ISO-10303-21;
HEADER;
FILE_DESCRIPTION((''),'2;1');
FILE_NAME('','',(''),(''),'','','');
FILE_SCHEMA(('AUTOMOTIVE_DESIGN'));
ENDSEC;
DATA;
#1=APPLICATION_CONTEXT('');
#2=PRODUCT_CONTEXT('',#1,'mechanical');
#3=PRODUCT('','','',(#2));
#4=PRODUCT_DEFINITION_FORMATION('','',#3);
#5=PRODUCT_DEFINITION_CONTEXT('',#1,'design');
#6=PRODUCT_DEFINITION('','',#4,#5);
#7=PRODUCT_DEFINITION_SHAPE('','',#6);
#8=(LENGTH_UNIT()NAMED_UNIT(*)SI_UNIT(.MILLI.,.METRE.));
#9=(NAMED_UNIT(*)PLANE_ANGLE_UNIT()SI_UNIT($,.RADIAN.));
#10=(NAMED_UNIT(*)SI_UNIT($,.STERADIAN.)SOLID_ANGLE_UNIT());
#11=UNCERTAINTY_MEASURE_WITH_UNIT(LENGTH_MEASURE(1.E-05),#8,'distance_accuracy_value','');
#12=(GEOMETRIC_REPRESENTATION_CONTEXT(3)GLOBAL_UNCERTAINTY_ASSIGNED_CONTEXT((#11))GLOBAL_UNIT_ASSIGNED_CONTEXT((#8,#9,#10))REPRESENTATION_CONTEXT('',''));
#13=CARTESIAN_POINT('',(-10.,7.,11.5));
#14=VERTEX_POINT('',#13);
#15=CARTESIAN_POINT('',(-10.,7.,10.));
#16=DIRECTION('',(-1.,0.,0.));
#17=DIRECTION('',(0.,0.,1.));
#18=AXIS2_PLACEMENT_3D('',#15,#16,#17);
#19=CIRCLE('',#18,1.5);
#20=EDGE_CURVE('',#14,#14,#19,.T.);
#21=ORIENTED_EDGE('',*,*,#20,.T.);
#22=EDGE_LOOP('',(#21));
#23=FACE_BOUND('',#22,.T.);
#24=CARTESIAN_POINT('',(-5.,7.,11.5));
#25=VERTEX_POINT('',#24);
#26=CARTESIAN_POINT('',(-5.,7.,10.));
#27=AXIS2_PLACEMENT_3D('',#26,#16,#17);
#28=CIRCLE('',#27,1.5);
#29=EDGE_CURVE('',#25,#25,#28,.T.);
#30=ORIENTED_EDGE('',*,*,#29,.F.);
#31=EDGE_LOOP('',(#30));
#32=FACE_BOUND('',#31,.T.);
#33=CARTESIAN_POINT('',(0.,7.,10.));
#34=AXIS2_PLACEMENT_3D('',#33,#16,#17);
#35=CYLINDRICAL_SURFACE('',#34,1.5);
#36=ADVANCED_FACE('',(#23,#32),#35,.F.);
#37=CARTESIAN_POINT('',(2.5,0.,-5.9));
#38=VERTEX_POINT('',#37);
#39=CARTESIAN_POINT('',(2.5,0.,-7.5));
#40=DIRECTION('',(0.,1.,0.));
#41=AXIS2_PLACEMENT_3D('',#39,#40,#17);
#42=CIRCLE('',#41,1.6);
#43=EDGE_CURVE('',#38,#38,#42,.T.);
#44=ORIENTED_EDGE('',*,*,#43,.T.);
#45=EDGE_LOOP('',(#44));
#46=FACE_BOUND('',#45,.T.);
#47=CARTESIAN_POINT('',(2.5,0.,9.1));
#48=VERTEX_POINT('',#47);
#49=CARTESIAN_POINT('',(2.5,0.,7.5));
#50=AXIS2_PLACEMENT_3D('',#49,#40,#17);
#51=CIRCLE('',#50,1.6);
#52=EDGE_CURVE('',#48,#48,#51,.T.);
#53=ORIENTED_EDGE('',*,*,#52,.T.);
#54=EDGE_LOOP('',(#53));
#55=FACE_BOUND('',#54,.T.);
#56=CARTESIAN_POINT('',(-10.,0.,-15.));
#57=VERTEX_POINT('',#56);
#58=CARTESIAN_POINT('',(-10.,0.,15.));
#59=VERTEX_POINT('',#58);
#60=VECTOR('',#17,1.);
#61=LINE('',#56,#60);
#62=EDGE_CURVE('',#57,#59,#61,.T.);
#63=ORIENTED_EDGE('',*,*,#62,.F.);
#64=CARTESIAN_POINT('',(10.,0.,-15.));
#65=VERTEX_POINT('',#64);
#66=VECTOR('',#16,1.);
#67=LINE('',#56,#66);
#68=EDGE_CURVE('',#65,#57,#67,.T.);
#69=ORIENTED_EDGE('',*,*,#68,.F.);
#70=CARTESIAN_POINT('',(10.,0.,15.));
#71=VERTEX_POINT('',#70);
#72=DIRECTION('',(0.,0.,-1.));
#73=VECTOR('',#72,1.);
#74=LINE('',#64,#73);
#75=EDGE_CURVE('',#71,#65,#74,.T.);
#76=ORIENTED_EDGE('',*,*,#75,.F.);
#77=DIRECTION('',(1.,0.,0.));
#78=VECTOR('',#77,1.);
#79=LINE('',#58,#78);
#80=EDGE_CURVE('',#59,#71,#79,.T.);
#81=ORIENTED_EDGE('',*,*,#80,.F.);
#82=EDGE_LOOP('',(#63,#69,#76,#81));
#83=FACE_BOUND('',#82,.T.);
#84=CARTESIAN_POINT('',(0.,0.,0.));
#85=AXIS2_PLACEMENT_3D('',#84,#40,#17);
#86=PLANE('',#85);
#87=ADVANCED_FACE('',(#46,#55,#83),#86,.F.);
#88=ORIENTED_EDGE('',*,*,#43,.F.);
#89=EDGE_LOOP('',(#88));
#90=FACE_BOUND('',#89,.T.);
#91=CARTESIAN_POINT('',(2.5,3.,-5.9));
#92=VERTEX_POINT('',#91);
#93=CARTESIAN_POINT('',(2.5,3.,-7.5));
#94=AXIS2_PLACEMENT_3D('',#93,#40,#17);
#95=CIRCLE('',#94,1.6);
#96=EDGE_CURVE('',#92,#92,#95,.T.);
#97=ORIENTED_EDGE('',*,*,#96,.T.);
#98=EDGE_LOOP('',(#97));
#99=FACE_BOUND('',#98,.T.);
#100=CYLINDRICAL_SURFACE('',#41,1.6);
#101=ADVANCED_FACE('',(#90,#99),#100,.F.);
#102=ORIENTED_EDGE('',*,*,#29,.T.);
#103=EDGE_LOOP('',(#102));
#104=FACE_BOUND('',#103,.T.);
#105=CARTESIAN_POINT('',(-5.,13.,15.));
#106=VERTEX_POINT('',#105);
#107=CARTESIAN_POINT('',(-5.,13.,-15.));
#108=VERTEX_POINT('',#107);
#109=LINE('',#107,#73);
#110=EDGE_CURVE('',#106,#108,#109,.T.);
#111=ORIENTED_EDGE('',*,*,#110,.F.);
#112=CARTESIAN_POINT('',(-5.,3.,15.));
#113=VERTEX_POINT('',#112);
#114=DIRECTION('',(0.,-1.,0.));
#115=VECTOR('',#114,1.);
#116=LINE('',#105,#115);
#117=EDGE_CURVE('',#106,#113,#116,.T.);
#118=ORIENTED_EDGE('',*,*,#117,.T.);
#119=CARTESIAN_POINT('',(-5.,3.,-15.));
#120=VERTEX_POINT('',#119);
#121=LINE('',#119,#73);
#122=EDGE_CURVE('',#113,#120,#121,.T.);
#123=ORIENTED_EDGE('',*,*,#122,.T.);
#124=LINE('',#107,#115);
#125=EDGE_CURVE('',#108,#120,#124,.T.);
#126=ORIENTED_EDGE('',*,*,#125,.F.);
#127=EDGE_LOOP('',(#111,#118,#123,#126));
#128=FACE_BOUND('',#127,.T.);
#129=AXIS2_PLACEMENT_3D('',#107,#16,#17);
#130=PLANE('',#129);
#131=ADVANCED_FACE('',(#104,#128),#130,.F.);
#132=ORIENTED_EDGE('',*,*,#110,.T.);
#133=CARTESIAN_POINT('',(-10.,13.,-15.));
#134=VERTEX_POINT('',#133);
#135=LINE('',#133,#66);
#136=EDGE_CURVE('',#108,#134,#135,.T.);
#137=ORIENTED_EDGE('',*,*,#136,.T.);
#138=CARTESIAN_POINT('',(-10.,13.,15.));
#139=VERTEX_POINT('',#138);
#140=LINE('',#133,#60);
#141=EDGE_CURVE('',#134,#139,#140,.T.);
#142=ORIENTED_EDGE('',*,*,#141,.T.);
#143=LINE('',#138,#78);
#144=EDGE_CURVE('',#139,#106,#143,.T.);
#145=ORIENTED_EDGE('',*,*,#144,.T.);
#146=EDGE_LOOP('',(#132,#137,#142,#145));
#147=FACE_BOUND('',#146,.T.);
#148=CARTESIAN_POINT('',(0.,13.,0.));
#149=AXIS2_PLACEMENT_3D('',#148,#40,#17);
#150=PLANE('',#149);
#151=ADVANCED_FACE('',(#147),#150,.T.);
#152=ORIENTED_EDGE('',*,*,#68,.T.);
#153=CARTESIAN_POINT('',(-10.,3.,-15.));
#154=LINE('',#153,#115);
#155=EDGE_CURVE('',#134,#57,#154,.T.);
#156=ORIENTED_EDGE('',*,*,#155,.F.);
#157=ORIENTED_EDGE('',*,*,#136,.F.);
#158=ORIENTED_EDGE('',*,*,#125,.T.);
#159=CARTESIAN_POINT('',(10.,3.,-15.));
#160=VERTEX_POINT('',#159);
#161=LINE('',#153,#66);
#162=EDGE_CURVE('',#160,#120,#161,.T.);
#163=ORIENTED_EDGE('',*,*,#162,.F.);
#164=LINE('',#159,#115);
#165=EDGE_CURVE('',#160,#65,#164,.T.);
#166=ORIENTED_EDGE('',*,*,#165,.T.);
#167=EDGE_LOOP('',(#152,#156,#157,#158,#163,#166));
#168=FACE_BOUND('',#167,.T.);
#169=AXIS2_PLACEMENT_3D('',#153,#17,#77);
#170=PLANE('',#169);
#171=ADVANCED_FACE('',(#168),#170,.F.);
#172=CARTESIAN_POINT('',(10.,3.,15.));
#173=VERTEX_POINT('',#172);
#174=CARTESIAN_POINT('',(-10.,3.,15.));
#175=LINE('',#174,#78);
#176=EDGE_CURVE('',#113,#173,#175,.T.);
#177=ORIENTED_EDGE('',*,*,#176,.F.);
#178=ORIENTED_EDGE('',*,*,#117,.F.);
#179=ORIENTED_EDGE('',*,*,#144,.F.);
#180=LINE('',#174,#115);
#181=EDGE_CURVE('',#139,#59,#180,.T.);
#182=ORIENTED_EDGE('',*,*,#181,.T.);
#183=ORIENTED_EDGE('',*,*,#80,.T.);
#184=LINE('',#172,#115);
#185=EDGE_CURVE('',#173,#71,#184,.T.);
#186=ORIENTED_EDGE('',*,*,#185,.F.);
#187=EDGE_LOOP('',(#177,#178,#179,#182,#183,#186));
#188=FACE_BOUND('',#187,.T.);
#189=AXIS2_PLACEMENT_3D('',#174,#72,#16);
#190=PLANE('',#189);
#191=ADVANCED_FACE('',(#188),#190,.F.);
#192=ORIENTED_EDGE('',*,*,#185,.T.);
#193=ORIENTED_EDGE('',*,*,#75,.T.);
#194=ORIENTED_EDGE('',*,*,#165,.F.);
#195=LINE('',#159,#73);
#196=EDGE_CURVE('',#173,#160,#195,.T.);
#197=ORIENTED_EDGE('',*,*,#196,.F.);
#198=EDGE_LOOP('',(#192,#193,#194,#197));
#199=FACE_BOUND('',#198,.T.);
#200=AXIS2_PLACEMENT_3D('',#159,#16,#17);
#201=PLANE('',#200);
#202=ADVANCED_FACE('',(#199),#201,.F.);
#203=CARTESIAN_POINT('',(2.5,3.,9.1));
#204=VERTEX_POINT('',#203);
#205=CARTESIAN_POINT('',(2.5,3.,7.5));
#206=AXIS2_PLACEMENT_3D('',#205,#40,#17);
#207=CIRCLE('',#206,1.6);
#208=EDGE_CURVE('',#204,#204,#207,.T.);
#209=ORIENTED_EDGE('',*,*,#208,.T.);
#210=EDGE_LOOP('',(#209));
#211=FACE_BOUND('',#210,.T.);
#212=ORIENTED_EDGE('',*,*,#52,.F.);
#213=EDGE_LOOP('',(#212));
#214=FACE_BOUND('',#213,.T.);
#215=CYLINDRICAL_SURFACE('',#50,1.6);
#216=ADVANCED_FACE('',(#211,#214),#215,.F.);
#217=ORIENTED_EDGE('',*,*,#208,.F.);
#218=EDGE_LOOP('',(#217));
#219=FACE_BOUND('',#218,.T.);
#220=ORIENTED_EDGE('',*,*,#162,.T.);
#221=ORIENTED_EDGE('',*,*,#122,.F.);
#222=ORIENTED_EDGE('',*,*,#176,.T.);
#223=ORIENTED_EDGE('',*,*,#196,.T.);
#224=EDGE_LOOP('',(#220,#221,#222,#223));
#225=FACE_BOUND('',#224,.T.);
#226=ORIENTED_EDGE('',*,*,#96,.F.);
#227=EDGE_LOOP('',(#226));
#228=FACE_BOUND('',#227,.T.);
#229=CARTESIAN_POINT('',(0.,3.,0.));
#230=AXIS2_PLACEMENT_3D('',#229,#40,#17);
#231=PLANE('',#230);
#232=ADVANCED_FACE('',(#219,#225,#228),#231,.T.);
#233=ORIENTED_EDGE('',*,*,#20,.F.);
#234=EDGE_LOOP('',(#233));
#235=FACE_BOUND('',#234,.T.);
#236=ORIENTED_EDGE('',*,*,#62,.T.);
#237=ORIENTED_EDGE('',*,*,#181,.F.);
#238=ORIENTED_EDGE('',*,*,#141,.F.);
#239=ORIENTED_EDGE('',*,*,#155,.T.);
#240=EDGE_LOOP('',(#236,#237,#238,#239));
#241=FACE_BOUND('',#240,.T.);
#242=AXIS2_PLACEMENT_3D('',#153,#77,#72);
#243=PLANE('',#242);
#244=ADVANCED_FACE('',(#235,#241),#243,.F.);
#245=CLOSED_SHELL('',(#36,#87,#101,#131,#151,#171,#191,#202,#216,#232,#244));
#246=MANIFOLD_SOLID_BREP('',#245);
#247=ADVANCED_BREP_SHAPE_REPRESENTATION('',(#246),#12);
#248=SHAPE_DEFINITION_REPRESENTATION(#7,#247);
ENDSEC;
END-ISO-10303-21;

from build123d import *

# Parameters (mm, degrees)
SKETCH1_W           = 20
SKETCH1_H           = 30
BOSS_EXTRUDE1_DEPTH = 3
SKETCH2_W           = 5
SKETCH2_H           = 30
BOSS_EXTRUDE2_DEPTH = 10
SKETCH3_R           = 1.5
CUT_EXTRUDE1_DEPTH  = 10
SKETCH4_R           = 1.6
CUT_EXTRUDE2_DEPTH  = 4


with BuildPart() as part:
    # Sketch1 → Boss-Extrude1 (new body)
    with BuildSketch(Plane(origin=(0, 0, 0), x_dir=(1, 0, 0), z_dir=(0, 1, 0))):
        Rectangle(SKETCH1_W, SKETCH1_H)
    extrude(amount=BOSS_EXTRUDE1_DEPTH)

    # Sketch2 → Boss-Extrude2 (add)
    with BuildSketch(Plane(origin=(0, 3, 0), x_dir=(1, 0, 0), z_dir=(0, 1, 0))):
        with Locations((-7.5, 0)):
            Rectangle(SKETCH2_W, SKETCH2_H)
    extrude(amount=BOSS_EXTRUDE2_DEPTH)

    # Sketch3 → Cut-Extrude1 (cut)
    with BuildSketch(Plane.ZY.offset(10)):
        with Locations((10, 7)):
            Circle(SKETCH3_R)
    extrude(amount=-CUT_EXTRUDE1_DEPTH, mode=Mode.SUBTRACT)

    # Sketch4 → Cut-Extrude2 (cut, through all)
    with BuildSketch(Plane(origin=(0, 3, 0), x_dir=(1, 0, 0), z_dir=(0, 1, 0))):
        with Locations((2.5, -7.5)):
            Circle(SKETCH4_R)
        with Locations((2.5, 7.5)):
            Circle(SKETCH4_R)
    extrude(amount=-CUT_EXTRUDE2_DEPTH, mode=Mode.SUBTRACT)


solid = part.part
